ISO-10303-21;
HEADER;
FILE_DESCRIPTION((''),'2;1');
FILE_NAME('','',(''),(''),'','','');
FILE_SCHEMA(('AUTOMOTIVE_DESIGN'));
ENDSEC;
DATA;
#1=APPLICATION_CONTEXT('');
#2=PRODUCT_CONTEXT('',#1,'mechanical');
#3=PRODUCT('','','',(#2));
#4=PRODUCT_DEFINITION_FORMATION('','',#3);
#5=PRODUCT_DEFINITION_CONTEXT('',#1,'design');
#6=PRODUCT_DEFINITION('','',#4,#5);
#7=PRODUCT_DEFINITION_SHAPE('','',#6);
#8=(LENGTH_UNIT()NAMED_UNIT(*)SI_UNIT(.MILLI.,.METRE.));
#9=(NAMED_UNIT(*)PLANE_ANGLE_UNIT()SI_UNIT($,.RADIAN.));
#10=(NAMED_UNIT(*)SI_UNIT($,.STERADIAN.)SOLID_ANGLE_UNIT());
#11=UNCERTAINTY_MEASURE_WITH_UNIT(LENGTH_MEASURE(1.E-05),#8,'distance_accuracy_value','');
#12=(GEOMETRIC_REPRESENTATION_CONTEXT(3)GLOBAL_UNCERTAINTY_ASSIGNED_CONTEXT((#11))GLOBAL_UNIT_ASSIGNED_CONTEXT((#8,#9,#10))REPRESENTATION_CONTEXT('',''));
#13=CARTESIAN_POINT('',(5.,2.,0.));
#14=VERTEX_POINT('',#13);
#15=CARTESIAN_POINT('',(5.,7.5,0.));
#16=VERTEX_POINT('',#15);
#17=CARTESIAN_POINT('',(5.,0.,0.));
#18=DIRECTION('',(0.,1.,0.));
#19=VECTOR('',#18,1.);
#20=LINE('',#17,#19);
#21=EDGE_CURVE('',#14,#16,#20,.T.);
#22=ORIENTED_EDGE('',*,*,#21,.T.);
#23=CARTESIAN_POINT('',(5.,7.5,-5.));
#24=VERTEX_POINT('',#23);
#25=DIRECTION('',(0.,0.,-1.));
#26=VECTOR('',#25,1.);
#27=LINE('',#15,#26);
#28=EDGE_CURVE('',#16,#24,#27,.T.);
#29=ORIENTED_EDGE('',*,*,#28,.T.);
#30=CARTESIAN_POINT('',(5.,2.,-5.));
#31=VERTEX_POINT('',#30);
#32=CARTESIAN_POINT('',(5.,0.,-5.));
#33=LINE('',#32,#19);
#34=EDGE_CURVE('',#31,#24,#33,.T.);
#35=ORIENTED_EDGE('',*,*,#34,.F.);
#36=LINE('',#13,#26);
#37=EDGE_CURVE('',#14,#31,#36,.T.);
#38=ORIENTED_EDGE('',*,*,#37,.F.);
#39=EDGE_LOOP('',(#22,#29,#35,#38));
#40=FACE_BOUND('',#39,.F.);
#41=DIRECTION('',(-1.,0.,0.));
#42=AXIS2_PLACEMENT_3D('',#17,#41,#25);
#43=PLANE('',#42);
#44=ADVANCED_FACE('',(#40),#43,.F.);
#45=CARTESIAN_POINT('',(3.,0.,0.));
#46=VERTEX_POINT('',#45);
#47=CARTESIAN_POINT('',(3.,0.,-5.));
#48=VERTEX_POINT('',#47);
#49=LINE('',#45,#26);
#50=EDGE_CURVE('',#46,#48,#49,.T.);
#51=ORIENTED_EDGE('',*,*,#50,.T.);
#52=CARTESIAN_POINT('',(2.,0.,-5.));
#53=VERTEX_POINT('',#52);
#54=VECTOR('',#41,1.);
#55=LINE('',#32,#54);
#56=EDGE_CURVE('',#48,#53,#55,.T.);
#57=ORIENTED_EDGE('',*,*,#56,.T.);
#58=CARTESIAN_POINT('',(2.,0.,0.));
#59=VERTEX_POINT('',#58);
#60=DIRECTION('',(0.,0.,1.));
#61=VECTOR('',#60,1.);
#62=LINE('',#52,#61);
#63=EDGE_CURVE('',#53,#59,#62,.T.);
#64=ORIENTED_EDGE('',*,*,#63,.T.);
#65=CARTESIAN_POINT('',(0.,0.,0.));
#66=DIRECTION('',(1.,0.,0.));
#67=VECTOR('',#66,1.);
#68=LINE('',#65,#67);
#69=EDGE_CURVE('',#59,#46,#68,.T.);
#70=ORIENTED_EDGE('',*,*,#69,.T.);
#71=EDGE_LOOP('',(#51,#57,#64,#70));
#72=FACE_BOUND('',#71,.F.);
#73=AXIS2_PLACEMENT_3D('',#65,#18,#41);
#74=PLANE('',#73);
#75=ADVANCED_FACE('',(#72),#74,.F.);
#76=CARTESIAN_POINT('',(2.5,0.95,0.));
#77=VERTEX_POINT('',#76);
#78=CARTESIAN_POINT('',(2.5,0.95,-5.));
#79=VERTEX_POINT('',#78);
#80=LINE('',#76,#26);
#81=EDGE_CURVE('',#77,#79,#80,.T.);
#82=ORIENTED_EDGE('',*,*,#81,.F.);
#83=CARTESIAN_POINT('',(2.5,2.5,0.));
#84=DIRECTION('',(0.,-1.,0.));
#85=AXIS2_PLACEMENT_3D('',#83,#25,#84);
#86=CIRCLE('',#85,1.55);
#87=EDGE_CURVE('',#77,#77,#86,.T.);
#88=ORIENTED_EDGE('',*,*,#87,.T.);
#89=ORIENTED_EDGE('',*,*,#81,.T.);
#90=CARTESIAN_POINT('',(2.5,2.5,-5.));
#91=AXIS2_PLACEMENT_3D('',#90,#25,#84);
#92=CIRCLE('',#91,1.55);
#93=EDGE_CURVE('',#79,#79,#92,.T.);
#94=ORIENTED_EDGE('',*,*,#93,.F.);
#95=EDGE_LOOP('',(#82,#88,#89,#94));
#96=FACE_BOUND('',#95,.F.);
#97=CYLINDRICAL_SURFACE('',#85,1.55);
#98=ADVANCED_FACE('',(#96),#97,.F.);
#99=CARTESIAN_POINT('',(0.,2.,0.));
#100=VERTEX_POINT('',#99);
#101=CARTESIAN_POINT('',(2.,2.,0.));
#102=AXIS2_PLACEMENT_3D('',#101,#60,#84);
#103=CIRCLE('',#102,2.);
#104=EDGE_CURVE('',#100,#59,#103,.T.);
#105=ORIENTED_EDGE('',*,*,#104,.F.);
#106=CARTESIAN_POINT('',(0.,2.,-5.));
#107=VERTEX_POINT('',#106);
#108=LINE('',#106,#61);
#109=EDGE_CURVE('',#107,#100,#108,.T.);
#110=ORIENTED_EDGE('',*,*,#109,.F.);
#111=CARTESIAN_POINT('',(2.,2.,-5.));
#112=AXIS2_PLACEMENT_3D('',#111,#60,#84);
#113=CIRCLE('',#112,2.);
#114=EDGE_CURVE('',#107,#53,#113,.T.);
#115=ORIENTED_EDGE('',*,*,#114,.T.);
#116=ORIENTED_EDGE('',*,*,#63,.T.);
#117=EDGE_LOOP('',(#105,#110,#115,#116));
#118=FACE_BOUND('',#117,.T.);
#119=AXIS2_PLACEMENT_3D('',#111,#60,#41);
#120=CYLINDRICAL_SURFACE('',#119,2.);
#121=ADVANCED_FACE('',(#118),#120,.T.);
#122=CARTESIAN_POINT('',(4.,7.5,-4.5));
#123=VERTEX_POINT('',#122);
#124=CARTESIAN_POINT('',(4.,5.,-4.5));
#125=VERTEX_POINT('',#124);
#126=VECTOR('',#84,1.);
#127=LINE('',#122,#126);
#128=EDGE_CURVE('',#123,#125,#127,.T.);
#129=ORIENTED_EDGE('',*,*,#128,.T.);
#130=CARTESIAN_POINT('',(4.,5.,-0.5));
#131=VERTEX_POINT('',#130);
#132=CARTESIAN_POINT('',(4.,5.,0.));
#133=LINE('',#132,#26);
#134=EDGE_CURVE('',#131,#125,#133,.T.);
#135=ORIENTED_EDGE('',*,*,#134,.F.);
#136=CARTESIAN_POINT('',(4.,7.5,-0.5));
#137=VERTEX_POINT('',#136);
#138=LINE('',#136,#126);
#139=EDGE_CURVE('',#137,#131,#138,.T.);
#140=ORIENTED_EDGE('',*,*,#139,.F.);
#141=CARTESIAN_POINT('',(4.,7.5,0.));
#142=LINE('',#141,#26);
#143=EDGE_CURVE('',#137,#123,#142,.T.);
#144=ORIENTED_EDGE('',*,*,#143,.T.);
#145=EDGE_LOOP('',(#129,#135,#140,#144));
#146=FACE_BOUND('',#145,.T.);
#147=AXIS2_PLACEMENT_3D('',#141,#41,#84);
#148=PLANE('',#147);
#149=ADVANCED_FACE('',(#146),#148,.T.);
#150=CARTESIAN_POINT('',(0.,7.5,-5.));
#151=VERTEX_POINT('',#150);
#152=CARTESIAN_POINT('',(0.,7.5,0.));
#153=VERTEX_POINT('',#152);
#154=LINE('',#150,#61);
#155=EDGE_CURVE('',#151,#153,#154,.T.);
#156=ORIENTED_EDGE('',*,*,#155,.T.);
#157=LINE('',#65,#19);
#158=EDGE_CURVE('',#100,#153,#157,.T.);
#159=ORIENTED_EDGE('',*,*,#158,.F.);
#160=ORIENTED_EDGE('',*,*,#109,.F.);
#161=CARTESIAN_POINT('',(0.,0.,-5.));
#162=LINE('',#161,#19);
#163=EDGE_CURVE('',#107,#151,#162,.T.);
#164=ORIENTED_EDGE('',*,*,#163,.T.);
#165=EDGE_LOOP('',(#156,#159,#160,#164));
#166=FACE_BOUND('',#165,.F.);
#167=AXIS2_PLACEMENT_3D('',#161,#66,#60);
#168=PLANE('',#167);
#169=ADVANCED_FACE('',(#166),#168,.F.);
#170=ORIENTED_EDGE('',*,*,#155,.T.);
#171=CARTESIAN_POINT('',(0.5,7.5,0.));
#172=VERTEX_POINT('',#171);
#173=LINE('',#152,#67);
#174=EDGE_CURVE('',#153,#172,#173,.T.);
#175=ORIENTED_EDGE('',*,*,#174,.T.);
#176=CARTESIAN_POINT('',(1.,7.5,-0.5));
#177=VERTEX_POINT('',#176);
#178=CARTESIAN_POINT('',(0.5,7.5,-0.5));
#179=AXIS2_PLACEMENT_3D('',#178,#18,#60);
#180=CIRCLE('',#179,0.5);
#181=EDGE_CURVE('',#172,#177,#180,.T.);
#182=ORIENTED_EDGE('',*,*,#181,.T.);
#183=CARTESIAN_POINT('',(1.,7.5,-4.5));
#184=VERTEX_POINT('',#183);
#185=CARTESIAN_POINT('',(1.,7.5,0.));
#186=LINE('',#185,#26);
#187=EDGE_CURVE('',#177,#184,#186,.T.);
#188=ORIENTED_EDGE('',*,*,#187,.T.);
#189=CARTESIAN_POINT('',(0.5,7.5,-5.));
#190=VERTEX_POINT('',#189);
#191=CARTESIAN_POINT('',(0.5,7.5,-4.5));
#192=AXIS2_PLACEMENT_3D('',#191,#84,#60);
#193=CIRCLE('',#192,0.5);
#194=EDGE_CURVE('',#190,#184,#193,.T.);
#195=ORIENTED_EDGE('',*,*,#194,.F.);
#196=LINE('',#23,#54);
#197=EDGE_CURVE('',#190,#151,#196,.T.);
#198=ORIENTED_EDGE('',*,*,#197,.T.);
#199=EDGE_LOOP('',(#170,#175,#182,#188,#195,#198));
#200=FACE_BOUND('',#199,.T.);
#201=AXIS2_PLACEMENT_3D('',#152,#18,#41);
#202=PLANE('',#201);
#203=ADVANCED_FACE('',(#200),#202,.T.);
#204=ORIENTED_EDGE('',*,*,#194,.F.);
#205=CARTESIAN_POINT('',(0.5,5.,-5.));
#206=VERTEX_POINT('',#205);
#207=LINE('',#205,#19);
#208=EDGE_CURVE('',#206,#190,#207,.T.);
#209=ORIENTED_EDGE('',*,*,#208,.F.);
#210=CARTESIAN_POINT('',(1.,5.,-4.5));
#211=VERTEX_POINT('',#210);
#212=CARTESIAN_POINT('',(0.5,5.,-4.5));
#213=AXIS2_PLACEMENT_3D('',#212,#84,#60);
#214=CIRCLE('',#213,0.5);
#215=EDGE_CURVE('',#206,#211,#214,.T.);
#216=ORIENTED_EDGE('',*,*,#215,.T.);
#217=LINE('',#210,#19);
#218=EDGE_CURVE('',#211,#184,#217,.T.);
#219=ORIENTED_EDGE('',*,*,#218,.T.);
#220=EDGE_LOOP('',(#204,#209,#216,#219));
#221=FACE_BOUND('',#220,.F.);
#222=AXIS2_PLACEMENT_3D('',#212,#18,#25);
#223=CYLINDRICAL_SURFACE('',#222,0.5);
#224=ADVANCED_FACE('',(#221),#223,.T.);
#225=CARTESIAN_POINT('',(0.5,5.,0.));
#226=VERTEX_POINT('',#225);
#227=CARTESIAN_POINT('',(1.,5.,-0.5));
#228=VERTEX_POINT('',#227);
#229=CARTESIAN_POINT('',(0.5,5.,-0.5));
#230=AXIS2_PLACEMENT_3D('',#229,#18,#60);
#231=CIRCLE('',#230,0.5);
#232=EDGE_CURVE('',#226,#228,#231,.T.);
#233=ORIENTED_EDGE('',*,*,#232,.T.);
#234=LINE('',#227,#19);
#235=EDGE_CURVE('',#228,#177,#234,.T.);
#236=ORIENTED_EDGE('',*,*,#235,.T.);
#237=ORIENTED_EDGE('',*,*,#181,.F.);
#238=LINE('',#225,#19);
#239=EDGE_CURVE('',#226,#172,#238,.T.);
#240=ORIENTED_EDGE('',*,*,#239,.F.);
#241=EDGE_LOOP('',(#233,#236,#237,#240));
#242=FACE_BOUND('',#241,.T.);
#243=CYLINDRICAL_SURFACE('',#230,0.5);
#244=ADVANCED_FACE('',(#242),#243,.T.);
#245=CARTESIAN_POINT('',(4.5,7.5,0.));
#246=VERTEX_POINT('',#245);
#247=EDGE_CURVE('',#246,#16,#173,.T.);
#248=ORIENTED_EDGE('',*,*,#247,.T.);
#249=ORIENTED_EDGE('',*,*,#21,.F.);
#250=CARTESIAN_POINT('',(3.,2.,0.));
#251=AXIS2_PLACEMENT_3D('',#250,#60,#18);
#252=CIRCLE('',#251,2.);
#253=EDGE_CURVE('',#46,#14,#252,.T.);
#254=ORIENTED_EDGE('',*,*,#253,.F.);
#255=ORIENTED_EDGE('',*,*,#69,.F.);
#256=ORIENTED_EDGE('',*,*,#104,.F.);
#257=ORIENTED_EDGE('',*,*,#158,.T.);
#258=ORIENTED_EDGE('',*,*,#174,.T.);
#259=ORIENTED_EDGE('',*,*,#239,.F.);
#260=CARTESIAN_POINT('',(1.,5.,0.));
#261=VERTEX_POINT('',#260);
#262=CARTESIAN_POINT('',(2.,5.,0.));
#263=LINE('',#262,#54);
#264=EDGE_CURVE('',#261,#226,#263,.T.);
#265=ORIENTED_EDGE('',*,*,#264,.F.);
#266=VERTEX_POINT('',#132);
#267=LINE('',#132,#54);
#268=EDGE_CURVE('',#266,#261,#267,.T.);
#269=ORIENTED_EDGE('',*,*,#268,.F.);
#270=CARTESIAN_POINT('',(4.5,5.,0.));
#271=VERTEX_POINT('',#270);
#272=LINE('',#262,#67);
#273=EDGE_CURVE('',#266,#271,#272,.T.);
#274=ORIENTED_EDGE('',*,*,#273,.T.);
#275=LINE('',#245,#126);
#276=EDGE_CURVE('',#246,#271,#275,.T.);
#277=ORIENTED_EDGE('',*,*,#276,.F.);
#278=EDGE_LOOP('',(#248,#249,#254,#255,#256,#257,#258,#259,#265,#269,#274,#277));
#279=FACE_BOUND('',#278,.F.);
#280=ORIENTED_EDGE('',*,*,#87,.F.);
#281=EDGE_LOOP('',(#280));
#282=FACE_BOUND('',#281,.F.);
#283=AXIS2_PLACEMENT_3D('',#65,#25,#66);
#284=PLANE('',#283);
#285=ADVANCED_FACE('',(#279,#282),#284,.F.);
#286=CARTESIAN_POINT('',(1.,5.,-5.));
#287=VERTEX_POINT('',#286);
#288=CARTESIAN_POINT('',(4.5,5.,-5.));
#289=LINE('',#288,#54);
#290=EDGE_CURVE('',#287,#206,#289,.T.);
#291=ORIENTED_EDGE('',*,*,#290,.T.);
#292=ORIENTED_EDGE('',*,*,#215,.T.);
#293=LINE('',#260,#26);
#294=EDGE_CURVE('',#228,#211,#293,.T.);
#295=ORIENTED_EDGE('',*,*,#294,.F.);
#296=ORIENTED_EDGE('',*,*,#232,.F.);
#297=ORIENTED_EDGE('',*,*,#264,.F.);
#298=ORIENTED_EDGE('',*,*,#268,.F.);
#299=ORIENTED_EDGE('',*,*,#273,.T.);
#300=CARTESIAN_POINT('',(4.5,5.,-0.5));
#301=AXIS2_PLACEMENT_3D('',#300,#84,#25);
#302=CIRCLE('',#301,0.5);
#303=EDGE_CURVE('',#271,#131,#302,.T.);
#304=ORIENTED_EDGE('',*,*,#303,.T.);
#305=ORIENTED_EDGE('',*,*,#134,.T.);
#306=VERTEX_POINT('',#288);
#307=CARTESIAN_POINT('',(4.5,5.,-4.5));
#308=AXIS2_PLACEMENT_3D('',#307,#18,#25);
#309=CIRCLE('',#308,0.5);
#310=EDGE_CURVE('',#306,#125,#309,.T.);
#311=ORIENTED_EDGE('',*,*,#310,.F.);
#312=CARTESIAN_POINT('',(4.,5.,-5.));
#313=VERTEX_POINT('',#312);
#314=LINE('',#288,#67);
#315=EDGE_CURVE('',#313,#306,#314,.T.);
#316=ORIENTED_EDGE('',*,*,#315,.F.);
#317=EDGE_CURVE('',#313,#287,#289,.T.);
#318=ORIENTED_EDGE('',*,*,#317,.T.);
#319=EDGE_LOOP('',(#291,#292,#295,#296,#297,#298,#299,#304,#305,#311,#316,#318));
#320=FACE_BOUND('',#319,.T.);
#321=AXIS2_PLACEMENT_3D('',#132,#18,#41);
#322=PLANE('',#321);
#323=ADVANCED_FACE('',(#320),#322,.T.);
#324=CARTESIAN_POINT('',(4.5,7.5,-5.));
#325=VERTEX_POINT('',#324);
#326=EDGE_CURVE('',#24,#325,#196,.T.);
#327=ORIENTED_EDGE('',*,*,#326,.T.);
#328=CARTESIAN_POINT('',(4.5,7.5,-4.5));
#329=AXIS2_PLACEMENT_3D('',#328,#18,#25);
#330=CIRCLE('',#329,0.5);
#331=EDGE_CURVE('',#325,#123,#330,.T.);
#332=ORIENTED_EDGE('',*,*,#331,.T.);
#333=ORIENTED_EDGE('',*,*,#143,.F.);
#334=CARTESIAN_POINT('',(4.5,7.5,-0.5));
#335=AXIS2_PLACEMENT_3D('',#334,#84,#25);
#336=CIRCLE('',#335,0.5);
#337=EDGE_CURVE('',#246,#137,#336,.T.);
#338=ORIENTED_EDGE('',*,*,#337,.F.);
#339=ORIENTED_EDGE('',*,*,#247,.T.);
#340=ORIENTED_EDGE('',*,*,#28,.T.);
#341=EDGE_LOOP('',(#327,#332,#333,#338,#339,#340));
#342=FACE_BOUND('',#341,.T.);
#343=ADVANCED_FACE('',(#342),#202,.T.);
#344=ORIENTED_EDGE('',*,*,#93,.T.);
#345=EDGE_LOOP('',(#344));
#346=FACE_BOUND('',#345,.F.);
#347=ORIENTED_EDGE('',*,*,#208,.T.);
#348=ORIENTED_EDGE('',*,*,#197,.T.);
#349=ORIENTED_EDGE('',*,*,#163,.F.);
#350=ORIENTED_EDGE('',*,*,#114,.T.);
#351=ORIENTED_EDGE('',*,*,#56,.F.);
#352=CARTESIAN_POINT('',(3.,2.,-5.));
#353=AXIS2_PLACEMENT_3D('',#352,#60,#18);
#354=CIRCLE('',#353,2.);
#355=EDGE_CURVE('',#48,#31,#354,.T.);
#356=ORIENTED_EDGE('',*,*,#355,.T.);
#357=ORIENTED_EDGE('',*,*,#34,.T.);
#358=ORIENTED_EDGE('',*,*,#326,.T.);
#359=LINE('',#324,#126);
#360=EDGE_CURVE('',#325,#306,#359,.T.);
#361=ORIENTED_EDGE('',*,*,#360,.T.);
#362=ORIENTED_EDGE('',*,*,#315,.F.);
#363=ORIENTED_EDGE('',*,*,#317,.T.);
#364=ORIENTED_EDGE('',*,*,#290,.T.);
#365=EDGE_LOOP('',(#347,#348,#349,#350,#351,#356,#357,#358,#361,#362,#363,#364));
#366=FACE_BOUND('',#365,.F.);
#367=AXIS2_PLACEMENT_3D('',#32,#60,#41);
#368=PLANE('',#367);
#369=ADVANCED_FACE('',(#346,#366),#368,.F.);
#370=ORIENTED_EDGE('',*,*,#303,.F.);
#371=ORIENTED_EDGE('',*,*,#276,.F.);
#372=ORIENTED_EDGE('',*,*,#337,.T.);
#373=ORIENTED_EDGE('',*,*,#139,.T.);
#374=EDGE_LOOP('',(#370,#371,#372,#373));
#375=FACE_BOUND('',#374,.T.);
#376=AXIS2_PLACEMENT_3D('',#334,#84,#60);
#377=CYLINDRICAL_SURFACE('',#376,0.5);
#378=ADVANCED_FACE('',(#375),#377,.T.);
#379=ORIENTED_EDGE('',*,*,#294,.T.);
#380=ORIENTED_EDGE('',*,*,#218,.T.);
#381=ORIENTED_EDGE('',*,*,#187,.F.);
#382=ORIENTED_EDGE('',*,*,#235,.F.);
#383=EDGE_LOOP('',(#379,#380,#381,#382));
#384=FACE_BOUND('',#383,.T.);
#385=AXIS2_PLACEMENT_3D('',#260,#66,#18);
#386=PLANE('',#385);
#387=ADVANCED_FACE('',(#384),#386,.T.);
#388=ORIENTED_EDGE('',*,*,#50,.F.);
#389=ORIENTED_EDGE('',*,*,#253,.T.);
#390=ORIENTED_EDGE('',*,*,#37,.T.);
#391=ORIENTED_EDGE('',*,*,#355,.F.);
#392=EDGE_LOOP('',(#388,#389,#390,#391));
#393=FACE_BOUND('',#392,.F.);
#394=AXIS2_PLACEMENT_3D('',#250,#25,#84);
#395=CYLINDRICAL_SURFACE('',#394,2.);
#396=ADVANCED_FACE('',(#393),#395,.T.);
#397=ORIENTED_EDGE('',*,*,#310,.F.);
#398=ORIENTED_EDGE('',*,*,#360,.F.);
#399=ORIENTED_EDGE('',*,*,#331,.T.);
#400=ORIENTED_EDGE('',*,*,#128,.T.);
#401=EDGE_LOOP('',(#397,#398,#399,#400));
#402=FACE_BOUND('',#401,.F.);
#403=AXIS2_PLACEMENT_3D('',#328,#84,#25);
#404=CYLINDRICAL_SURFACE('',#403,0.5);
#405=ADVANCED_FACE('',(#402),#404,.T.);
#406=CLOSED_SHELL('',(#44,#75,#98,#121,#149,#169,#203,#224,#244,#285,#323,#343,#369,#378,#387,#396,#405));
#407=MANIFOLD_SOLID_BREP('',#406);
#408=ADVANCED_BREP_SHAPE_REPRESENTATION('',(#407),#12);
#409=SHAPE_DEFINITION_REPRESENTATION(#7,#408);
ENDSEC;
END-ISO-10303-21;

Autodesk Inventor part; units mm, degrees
ref_plane "YZ Plane" through (0, 0, 0) normal (1, 0, 0) x (0, 1, 0)
ref_plane "XZ Plane" through (0, 0, 0) normal (0, 1, 0) x (-1, 0, 0)
ref_plane "XY Plane" through (0, 0, 0) normal (0, 0, 1) x (1, 0, 0)
sketch "スケッチ1" plane through (0, 0, 0) normal (0, 1, 0) x (-1, 0, 0)
  line L0 (0, 0) -> (-5, 0)
  line L1 (-5, 0) -> (-5, -5)
  line L2 (-5, -5) -> (0, -5)
  line L3 (0, -5) -> (0, 0)
  dimension "d0" = 5
  dimension "d1" = 5
extrude "押し出し1" add sketch "スケッチ1" along normal blind 7.5
sketch "スケッチ2" plane through (0, 0, 0) normal (0, 0, 1) x (1, 0, 0)
  line L0 (0, 0) -> (5, 0) projected
  line L1 (0, 0) -> (0, 7.5) projected
  point P0 (2.5, 2.5)
  dimension "d11" = 2.5
  dimension "d12" = 2.5
hole "穴1" at (2.5, 2.5, 0) direction (0, 0, -1) diameter 3.1 end through all
sketch "スケッチ3" plane through (0, 0, 0) normal (0, 0, 1) x (1, 0, 0)
  line L0 (1, 7.5) -> (4, 7.5)
  line L1 (4, 7.5) -> (4, 5)
  line L2 (4, 5) -> (1, 5)
  line L3 (1, 5) -> (1, 7.5)
  line L4 (1, 7.5) -> (4, 5) construction
  line L5 (4, 7.5) -> (1, 5) construction
  line L6 (0, 0) -> (0, 7.5) projected
  line L7 (0, 7.5) -> (5, 7.5) projected
  point P0 (2.5, 6.25)
  dimension "d13" = 3
  dimension "d14" = 2.5
  dimension "d15" = 2.5
  dimension "d16" = 0
extrude "押し出し2" cut sketch "スケッチ3" against normal through all
fillet "フィレット1" radius 2 2 edges at (5, 0, -2.5) (0, 0, -2.5)
fillet "フィレット2" radius 0.5 4 edges at (1, 6.25, 0) (4, 6.25, 0) (1, 6.25, -5) (4, 6.25, -5)
equation "\"d12\" = 0.5 * d0"
equation "\"d15\" = 0.5 * d0"
properties part number "gomu_guide2.8"
